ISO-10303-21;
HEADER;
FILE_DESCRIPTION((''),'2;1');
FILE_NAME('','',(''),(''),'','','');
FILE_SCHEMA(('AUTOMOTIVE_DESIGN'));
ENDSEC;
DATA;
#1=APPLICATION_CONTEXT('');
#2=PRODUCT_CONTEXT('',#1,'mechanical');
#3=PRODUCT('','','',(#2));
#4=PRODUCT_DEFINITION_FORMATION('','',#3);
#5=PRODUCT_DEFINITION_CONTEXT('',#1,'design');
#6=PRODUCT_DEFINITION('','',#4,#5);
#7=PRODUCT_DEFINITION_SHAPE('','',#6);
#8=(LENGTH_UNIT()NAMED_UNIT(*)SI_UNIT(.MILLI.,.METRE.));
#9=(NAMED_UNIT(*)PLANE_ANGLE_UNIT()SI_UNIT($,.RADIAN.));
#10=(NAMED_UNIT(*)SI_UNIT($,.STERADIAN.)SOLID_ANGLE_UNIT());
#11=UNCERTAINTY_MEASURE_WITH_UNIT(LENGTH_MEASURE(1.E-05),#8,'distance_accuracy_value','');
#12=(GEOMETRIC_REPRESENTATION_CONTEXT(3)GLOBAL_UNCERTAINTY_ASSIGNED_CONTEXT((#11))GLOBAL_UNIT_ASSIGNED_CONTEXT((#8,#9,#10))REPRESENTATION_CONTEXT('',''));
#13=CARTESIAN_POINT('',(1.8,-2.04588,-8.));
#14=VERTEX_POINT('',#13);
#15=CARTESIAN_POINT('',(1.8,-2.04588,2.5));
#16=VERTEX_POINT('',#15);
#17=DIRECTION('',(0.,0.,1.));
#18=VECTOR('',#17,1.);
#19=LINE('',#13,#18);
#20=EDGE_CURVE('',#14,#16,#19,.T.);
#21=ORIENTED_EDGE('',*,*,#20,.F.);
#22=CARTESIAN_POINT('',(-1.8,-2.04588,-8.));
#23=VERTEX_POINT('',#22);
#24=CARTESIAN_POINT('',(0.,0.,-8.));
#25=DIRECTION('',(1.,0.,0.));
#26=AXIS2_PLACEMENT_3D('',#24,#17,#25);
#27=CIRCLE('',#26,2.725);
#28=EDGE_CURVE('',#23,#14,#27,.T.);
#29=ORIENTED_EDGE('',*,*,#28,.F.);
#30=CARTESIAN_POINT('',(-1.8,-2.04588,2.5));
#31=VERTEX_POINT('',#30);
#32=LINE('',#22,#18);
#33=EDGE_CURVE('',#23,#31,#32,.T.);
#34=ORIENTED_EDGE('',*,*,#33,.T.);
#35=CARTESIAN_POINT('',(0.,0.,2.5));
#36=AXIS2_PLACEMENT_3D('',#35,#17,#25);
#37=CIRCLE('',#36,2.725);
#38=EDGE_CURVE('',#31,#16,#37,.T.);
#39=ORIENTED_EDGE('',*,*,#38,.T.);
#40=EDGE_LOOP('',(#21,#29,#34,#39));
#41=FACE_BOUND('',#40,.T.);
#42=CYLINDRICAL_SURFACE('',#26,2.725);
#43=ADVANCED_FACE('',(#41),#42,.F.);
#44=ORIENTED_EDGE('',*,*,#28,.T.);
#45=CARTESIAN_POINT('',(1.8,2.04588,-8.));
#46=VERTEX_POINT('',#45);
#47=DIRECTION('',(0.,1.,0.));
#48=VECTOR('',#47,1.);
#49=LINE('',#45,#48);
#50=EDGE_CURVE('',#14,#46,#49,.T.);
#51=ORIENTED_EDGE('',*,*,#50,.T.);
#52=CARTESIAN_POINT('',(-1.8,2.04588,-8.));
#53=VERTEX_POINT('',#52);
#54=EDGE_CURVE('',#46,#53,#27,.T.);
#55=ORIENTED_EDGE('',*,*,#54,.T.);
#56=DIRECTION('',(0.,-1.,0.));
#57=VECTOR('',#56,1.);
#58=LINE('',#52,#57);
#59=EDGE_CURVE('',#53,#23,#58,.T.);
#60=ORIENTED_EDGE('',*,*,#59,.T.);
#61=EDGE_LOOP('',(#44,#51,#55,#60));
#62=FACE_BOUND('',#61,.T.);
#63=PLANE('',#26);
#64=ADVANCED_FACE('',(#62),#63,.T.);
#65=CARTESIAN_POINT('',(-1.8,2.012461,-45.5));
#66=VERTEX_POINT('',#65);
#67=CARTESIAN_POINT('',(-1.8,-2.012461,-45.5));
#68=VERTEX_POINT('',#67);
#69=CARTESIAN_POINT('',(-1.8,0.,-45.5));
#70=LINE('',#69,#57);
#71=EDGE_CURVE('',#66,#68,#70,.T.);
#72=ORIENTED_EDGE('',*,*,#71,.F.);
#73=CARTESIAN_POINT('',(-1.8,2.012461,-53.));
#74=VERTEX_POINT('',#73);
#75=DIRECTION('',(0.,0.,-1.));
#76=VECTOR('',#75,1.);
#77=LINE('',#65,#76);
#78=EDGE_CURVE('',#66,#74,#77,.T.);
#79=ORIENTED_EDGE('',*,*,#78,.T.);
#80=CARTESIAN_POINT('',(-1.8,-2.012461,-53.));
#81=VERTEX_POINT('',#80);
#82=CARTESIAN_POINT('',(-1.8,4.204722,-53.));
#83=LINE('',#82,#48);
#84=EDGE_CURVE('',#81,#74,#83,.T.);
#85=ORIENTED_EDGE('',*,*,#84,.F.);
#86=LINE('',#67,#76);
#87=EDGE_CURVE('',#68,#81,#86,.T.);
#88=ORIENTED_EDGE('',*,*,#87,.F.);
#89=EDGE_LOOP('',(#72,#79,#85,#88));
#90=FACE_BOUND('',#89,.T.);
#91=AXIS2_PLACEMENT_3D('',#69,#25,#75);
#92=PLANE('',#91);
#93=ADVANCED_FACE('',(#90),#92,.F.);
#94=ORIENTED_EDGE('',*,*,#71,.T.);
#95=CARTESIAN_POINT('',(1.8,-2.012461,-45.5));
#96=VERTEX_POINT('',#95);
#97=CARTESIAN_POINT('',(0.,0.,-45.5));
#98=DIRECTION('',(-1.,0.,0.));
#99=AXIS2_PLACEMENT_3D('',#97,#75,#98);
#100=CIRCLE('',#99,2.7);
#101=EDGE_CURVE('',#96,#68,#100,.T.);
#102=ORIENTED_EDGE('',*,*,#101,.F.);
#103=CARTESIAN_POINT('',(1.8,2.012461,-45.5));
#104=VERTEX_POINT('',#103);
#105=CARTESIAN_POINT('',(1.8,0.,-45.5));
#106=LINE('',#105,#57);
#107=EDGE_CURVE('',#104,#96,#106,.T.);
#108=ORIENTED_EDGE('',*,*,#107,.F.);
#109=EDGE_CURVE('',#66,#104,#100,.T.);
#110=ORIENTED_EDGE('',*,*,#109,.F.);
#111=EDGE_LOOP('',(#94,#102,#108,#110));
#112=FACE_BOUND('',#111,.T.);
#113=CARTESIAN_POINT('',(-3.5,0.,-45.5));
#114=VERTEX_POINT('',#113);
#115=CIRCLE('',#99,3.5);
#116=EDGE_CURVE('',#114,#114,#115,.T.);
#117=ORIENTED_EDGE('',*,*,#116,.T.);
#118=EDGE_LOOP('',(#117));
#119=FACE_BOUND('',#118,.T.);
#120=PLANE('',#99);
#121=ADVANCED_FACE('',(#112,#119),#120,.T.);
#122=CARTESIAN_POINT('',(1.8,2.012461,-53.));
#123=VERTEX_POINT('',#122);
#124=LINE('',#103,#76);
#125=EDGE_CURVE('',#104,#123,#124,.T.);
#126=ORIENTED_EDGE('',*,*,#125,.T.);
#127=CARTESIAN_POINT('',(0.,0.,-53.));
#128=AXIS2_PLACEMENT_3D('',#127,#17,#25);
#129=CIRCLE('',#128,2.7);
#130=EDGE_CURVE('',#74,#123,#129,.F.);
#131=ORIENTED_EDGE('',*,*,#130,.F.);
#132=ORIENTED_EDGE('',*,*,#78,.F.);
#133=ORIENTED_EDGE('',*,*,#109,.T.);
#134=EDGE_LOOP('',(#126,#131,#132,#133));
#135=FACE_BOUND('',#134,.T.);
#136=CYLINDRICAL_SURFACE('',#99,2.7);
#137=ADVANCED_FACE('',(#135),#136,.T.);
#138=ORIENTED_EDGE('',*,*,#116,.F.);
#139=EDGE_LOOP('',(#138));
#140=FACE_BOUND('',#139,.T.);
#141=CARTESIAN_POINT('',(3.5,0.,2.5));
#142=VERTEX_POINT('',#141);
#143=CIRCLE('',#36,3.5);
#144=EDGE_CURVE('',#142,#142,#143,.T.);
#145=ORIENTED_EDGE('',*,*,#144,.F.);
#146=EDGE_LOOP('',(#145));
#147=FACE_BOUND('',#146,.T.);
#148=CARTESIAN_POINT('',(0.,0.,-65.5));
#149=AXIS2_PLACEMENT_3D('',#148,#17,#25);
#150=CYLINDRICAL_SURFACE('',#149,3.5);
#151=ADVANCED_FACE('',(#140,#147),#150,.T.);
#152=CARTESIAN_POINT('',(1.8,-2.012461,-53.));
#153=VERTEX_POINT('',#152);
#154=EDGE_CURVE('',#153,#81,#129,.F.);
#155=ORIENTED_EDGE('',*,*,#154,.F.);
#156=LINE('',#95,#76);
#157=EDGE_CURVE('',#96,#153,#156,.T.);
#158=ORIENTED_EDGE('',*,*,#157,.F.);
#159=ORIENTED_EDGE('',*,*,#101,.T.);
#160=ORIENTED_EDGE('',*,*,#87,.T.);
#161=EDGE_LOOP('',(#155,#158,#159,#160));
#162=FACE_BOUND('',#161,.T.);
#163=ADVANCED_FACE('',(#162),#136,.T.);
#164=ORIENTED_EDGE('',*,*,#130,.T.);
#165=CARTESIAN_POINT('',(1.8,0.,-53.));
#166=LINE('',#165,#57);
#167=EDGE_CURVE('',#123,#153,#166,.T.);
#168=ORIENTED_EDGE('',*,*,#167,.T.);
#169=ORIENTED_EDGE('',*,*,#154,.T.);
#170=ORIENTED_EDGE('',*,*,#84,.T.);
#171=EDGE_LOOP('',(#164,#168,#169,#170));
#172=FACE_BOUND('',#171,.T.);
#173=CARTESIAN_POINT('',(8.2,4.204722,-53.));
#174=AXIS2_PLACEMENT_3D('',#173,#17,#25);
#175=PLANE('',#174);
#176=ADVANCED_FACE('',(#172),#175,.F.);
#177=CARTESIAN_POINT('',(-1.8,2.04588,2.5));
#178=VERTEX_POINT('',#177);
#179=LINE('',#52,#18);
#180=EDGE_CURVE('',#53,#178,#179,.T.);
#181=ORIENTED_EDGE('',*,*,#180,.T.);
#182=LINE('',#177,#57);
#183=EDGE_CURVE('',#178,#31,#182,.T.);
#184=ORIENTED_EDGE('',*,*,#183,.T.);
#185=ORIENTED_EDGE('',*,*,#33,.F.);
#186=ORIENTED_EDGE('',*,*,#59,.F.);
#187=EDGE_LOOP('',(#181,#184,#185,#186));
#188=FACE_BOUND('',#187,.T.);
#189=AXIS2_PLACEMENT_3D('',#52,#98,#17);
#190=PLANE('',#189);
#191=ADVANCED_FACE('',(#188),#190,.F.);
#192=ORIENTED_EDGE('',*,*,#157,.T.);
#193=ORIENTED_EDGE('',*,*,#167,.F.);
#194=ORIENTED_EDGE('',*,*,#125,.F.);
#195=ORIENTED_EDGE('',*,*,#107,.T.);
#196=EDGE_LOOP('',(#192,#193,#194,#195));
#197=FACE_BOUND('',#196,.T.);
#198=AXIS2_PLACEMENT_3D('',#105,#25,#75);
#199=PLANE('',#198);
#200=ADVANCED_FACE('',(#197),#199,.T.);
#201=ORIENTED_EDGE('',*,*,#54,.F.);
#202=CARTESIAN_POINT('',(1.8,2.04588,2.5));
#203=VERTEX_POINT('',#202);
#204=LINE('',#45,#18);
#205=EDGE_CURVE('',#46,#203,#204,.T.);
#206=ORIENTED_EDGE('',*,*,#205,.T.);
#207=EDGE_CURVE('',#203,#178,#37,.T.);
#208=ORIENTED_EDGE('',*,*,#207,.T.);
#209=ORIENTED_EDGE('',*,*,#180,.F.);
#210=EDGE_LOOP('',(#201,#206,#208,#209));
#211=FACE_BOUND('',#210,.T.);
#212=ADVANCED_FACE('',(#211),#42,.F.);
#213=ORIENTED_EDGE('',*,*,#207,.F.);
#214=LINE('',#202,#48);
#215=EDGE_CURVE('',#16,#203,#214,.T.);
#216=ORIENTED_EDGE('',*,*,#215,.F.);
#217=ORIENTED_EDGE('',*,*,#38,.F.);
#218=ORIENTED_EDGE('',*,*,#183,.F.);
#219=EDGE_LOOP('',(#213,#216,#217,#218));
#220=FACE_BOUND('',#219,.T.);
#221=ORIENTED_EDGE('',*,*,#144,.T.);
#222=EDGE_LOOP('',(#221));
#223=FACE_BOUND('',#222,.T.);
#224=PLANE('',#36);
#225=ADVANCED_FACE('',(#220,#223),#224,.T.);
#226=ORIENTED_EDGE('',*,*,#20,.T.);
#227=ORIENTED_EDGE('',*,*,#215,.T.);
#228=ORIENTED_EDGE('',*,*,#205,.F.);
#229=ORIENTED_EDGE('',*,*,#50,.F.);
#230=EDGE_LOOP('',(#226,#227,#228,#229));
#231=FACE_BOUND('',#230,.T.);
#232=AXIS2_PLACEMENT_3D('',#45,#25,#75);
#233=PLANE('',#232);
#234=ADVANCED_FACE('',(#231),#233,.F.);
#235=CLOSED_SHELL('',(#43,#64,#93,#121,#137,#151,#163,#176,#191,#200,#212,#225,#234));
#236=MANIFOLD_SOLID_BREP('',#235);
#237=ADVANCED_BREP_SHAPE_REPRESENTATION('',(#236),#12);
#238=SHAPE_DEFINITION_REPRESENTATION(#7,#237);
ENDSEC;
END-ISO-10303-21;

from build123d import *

# Parameters (mm, degrees)
CROQUIS1_R              = 3.5
SALIENTE_EXTRUIR1_DEPTH = 65.5
CORTAR_EXTRUIR3_DEPTH   = 8
CORTAR_EXTRUIR5_START   = -20
CROQUIS7_R              = 3.5
CORTAR_EXTRUIR5_DEPTH   = 20
CROQUIS8_W              = 12.617225576
CROQUIS8_H              = 9.28288649
CORTAR_EXTRUIR6_DEPTH   = 10
SALIENTE_EXTRUIR2_START = 2.5
CROQUIS10_R             = 3.5
SALIENTE_EXTRUIR2_DEPTH = 2.5


with BuildPart() as part:
    # Croquis1 → Saliente-Extruir1 (new body)
    with BuildSketch(Plane.XY):
        Circle(CROQUIS1_R)
    extrude(amount=-SALIENTE_EXTRUIR1_DEPTH)

    # Croquis6 → Cortar-Extruir3 (cut)
    with BuildSketch(Plane.XY):
        with BuildLine():
            Line((-1.8, 2.045880006), (-1.8, -2.045880006))
            ThreePointArc((-1.8, -2.045880006), (0, -2.725), (1.8, -2.045880006))
            Line((1.8, -2.045880006), (1.8, 2.045880006))
            ThreePointArc((1.8, 2.045880006), (0, 2.725), (-1.8, 2.045880006))
        make_face()
    extrude(amount=-CORTAR_EXTRUIR3_DEPTH, mode=Mode.SUBTRACT)

    # Croquis7 → Cortar-Extruir5 (cut)
    with BuildSketch(Plane(origin=(0, 0, -65.5), x_dir=(-1, 0, 0), z_dir=(0, 0, -1)).offset(CORTAR_EXTRUIR5_START)):
        with Locations(Location((0, 0, 0), (0, 0, 180))):
            Circle(CROQUIS7_R)
        with BuildLine():
            ThreePointArc((1.8, 2.01246118), (0, 2.7), (-1.8, 2.01246118))
            Line((-1.8, 2.01246118), (-1.8, -2.01246118))
            ThreePointArc((-1.8, -2.01246118), (0, -2.7), (1.8, -2.01246118))
            Line((1.8, -2.01246118), (1.8, 2.01246118))
        make_face(mode=Mode.SUBTRACT)
    extrude(amount=CORTAR_EXTRUIR5_DEPTH, mode=Mode.SUBTRACT)

    # Croquis8 → Cortar-Extruir6 (cut)
    with BuildSketch(Plane.ZY.offset(1.8)):
        with Locations((-59.308612788, -0.436721269)):
            Rectangle(CROQUIS8_W, CROQUIS8_H)
    extrude(amount=-CORTAR_EXTRUIR6_DEPTH, mode=Mode.SUBTRACT)

    # Croquis10 → Saliente-Extruir2 (add)
    with BuildSketch(Plane.XY.offset(SALIENTE_EXTRUIR2_START)):
        Circle(CROQUIS10_R)
        with BuildLine():
            Line((-1.8, 2.045880006), (-1.8, -2.045880006))
            ThreePointArc((-1.8, -2.045880006), (0, -2.725), (1.8, -2.045880006))
            Line((1.8, -2.045880006), (1.8, 2.045880006))
            ThreePointArc((1.8, 2.045880006), (0, 2.725), (-1.8, 2.045880006))
        make_face(mode=Mode.SUBTRACT)
    extrude(amount=-SALIENTE_EXTRUIR2_DEPTH)


solid = part.part
